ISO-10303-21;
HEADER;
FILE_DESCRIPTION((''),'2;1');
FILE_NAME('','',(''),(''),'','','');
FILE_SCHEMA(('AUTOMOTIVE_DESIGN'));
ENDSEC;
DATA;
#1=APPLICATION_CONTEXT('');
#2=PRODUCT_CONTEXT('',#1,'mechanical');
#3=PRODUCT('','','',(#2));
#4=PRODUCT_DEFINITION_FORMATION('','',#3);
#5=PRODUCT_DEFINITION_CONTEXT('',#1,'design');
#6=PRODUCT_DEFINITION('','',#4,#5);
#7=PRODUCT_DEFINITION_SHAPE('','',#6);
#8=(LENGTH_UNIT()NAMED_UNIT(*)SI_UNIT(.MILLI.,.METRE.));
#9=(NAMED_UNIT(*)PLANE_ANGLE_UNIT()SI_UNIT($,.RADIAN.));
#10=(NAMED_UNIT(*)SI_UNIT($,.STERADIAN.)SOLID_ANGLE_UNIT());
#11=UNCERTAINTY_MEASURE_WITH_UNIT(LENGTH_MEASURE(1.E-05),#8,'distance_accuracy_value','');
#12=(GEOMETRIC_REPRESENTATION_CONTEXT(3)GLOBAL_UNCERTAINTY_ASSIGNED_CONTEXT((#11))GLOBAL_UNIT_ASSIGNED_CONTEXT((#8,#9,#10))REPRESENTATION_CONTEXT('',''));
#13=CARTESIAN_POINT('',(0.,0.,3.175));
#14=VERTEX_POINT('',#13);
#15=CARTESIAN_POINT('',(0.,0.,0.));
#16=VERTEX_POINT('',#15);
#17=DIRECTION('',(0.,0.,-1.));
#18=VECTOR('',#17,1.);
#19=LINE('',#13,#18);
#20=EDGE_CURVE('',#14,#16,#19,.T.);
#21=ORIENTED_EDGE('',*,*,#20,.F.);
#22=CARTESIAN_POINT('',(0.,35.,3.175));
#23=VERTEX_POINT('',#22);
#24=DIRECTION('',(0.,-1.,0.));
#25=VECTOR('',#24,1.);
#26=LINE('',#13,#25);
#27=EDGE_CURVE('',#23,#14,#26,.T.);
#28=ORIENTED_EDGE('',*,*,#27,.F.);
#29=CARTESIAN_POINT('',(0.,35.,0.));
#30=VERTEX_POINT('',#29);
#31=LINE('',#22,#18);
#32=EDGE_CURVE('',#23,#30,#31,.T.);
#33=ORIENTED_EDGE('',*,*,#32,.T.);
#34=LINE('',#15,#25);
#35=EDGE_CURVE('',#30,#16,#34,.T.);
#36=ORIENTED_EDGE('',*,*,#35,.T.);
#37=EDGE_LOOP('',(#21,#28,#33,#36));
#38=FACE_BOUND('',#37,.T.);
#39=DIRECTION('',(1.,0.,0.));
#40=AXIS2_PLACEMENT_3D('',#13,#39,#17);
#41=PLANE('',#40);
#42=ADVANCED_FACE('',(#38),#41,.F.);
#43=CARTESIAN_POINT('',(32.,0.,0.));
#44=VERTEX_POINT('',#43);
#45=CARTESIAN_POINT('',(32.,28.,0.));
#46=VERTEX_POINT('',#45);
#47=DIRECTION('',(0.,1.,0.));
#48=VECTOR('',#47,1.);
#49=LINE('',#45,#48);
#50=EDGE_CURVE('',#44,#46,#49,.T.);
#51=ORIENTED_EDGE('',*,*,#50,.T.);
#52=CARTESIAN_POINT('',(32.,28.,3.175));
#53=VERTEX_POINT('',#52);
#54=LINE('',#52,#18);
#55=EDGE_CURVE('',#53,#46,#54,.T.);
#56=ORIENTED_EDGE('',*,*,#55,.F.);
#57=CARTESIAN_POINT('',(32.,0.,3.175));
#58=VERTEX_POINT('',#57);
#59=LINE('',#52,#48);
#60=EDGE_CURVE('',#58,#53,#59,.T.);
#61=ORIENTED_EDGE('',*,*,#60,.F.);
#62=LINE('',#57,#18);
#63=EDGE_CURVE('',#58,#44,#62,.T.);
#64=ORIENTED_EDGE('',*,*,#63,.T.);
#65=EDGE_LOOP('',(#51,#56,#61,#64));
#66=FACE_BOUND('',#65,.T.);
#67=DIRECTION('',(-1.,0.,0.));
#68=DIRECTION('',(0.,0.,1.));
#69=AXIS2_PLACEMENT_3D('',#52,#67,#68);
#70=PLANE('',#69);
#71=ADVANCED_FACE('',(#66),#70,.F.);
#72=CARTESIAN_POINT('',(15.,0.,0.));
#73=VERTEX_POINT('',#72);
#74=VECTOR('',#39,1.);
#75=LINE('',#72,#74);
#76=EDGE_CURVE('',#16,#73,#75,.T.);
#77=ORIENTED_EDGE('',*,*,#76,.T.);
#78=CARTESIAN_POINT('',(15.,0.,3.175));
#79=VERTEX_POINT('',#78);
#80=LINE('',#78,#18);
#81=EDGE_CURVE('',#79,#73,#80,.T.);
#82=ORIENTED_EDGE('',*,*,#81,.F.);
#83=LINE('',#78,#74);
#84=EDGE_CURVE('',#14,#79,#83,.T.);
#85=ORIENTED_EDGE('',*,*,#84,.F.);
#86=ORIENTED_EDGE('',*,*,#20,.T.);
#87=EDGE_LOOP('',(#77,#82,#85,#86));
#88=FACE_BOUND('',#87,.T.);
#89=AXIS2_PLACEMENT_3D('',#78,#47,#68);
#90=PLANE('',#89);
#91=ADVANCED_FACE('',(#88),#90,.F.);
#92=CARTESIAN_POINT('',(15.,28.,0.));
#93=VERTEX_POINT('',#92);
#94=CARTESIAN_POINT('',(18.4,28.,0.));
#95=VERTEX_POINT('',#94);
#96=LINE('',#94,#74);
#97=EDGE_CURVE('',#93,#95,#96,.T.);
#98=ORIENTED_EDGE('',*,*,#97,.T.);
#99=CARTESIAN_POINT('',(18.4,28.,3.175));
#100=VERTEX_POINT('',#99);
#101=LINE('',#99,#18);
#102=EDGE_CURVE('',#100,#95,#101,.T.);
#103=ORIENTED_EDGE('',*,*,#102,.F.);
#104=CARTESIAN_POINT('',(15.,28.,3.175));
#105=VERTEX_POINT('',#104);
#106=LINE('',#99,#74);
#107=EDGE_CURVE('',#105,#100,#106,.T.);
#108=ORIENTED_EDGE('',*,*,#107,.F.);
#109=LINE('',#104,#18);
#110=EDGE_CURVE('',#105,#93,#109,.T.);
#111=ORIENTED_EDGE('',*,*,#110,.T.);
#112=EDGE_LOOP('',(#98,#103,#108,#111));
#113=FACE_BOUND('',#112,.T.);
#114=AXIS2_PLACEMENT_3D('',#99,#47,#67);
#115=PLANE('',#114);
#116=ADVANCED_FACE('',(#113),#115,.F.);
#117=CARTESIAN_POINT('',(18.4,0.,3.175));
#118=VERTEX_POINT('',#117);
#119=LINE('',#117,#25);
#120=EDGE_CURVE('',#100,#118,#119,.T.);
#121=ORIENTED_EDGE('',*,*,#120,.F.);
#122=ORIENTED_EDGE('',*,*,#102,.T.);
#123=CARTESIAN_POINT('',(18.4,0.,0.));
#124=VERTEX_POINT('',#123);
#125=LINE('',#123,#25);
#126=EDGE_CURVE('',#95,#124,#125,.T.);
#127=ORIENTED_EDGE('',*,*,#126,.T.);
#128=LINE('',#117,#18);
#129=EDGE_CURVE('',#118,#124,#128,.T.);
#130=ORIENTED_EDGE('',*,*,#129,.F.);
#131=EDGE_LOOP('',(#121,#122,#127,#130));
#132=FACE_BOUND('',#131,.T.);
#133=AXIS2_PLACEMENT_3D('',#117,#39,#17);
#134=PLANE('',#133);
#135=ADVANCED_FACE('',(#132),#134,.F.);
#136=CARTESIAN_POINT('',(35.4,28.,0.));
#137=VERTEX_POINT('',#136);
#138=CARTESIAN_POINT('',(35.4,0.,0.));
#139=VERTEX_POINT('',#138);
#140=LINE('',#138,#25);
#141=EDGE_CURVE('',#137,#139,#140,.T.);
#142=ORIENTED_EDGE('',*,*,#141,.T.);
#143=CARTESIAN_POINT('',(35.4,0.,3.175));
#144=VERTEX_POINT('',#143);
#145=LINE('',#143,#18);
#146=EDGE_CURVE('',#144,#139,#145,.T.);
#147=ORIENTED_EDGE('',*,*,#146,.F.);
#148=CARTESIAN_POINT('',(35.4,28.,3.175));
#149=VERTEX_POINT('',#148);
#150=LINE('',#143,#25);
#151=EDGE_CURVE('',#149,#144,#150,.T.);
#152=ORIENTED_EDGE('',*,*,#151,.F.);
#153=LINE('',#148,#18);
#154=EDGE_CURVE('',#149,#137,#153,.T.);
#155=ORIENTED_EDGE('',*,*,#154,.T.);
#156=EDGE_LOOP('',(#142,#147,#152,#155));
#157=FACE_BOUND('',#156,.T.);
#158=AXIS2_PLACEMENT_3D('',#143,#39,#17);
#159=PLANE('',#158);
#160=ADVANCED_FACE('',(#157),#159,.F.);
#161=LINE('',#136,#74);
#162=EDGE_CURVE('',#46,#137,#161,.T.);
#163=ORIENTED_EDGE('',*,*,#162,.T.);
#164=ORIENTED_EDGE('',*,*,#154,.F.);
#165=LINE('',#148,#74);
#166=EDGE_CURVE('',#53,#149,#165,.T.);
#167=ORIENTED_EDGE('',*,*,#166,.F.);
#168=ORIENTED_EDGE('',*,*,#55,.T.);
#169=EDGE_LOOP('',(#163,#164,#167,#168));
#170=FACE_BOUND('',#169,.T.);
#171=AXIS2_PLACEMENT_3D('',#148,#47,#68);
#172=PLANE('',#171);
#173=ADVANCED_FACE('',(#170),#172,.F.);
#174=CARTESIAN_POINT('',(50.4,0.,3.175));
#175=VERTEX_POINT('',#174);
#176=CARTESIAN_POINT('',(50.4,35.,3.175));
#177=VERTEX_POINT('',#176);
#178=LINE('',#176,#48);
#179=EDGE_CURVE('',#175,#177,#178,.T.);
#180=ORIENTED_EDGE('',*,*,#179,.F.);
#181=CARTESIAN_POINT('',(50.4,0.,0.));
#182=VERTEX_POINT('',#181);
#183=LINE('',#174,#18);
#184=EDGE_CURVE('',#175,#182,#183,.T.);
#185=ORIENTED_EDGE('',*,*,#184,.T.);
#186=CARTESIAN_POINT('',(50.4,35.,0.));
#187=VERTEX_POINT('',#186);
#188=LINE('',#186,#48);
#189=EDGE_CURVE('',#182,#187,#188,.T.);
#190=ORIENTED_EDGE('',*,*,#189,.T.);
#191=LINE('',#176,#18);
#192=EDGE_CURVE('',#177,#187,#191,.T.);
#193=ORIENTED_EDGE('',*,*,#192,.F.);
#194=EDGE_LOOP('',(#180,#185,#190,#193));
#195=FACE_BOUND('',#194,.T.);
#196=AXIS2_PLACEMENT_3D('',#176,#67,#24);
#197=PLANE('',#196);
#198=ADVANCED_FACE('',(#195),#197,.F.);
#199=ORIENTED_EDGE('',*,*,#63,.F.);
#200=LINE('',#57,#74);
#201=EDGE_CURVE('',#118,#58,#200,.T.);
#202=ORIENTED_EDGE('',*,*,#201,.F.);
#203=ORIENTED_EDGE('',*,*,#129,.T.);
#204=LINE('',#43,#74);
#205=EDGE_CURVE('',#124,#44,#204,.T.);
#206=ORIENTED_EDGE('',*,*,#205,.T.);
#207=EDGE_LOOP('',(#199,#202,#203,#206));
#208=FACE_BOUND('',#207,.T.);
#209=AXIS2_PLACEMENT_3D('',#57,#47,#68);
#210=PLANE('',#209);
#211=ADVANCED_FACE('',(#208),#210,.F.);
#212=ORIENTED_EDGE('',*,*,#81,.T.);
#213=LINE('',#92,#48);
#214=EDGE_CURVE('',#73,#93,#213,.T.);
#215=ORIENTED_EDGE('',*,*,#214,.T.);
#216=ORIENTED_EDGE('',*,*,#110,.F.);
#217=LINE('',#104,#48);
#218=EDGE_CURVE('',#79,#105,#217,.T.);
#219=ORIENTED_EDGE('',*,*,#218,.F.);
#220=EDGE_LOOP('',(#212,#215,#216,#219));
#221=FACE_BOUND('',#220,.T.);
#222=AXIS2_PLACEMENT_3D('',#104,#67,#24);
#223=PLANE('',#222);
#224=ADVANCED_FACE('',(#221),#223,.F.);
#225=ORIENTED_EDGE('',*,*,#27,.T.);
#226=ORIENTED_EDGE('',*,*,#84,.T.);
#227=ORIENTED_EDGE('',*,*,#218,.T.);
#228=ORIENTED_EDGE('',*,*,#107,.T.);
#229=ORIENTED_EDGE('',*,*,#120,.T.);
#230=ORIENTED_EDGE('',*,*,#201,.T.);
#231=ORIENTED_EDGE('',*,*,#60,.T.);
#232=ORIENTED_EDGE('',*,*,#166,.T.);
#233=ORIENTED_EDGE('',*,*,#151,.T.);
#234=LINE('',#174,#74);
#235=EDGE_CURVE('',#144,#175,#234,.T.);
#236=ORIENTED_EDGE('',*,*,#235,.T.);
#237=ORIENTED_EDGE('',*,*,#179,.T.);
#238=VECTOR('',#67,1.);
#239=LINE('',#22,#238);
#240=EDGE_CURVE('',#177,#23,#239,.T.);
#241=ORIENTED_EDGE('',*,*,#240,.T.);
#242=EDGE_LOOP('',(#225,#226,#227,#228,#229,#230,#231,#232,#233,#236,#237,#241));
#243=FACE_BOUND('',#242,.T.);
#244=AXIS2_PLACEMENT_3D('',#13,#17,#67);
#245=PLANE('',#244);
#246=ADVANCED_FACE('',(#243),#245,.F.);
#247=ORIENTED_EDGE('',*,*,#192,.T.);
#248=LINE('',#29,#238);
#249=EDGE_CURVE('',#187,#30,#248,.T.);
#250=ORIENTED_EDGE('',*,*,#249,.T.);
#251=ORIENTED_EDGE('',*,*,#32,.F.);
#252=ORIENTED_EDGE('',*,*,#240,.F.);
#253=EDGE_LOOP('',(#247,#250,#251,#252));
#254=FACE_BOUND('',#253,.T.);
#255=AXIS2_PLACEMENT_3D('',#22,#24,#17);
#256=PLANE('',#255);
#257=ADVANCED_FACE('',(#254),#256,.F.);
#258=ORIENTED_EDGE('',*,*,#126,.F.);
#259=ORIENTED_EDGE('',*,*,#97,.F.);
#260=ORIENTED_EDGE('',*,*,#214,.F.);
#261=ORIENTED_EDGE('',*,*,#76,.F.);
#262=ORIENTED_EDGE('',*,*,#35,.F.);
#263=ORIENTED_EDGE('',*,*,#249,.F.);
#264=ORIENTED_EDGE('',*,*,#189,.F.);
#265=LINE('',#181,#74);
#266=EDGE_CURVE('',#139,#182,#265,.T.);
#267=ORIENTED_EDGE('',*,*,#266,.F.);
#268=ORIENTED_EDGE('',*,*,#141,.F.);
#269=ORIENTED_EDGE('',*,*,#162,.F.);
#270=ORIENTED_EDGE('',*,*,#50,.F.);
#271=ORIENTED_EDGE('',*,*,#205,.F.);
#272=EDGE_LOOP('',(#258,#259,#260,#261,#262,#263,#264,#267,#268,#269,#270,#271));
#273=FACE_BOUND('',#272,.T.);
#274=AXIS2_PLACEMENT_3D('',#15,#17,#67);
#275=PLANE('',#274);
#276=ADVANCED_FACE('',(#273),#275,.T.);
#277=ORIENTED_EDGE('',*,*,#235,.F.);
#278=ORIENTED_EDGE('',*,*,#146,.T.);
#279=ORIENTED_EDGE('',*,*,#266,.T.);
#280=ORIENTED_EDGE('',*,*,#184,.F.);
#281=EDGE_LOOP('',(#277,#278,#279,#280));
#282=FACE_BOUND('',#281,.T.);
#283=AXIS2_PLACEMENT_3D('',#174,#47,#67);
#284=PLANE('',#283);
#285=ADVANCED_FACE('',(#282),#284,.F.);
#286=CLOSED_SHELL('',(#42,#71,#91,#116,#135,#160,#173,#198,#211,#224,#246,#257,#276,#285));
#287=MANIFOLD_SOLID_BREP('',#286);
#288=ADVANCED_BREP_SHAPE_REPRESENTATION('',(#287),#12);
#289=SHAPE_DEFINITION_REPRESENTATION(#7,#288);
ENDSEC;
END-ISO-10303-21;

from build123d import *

# Parameters (mm, degrees)
BOSS_EXTRUDE1_DEPTH = 3.175


with BuildPart() as part:
    # Sketch1 → Boss-Extrude1 (new body)
    with BuildSketch(Plane.XY):
        Polygon((0, 0), (0, 35), (50.4, 35), (50.4, 0), (35.4, 0), (35.4, 28), (32, 28), (32, 0), (18.4, 0), (18.4, 28), (15, 28), (15, 0), align=None)
    extrude(amount=BOSS_EXTRUDE1_DEPTH)


solid = part.part
